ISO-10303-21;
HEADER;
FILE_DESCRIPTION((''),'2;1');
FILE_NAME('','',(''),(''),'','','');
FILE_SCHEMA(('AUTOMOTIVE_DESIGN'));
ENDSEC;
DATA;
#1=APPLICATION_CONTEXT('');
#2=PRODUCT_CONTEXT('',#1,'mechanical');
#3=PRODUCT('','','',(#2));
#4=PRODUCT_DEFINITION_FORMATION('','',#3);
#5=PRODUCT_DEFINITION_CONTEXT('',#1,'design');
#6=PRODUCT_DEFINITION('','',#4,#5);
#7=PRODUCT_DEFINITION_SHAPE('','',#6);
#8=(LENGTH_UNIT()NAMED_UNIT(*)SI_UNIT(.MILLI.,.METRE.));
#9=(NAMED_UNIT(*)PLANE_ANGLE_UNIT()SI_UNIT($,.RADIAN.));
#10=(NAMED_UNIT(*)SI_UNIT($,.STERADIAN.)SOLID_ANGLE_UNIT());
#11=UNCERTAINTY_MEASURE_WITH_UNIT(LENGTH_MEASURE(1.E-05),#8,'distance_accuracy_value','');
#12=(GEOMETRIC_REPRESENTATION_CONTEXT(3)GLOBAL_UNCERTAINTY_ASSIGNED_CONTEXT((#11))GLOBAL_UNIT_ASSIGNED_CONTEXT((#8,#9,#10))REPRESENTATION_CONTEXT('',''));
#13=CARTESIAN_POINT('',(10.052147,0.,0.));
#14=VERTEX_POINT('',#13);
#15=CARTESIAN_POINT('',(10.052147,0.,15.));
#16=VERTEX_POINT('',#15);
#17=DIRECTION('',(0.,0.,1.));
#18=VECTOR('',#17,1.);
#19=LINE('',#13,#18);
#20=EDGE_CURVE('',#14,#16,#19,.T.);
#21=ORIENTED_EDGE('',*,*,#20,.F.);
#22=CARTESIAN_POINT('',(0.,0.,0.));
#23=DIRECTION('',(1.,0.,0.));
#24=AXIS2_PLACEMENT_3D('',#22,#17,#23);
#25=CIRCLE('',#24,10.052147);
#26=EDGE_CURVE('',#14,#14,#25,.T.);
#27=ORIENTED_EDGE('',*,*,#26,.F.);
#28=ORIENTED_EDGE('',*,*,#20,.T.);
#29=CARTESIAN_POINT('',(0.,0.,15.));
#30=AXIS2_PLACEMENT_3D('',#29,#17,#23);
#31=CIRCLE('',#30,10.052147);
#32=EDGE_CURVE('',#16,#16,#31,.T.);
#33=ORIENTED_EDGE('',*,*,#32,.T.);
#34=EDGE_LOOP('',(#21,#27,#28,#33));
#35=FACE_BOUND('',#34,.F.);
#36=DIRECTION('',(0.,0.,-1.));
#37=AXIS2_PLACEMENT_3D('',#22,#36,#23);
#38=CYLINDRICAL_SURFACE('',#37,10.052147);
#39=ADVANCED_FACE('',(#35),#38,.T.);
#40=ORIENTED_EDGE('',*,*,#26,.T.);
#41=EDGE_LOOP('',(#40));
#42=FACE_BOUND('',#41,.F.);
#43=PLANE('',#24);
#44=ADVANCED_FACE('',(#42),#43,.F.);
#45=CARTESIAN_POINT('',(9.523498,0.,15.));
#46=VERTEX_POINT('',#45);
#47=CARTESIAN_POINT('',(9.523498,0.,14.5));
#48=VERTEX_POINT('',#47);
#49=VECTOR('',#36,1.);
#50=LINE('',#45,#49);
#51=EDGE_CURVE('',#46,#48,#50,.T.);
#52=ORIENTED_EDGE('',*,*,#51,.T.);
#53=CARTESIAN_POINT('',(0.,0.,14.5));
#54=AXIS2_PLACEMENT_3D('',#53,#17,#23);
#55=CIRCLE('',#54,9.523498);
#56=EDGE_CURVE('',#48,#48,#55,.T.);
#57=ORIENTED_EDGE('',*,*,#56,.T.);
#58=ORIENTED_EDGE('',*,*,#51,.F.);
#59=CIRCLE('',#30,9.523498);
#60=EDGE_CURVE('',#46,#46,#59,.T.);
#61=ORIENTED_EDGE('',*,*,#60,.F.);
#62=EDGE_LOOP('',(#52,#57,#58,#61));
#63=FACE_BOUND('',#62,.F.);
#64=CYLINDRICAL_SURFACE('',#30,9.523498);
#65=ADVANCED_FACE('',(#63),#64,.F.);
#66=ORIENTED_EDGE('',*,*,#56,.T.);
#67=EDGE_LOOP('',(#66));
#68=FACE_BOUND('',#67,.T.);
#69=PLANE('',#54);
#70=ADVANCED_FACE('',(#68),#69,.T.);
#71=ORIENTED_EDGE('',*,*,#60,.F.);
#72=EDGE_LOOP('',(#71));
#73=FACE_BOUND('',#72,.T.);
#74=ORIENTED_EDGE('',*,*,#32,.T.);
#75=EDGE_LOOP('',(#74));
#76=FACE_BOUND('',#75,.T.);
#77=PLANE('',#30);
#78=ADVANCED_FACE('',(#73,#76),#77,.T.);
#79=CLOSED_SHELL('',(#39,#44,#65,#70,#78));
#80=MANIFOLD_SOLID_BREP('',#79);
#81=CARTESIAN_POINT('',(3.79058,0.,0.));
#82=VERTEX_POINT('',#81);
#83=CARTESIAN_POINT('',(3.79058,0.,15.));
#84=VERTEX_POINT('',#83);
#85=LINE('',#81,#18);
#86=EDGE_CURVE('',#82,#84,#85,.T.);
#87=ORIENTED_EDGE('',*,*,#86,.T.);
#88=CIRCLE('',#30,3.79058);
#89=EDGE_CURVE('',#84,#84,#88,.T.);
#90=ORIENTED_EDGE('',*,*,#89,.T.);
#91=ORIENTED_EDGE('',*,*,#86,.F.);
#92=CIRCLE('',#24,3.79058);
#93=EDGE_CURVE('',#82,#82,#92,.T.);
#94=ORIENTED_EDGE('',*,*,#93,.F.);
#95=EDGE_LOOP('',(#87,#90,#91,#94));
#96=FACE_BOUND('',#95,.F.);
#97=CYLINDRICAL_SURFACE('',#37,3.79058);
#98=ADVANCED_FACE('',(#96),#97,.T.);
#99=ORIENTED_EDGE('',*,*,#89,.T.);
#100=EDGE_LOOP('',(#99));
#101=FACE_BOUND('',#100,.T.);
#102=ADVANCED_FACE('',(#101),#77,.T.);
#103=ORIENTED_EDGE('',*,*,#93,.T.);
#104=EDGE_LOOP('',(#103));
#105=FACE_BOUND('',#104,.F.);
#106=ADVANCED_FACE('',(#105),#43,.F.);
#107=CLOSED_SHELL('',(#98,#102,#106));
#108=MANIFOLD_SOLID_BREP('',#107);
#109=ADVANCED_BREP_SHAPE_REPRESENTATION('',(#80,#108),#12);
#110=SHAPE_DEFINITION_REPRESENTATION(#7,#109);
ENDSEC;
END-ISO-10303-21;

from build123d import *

# Parameters (mm, degrees)
SKETCH_R     = 10.052147
PAD_DEPTH    = 15
SKETCH002_R  = 9.523498
POCKET_DEPTH = 0.5
SKETCH001_R  = 3.79058
PAD001_DEPTH = 15


with BuildPart() as cilindro_externo:
    # Sketch → Pad (new body)
    with BuildSketch(Plane.XY):
        Circle(SKETCH_R)
    extrude(amount=PAD_DEPTH)

    # Sketch002 (on Face3 of Pad) → Pocket (cut)
    with BuildSketch(Plane.XY.offset(15)):
        Circle(SKETCH002_R)
    extrude(amount=-POCKET_DEPTH, mode=Mode.SUBTRACT)


with BuildPart() as cilindro_interno:
    # Sketch001 → Pad001 (new body)
    with BuildSketch(Plane.XY):
        Circle(SKETCH001_R)
    extrude(amount=PAD001_DEPTH)


solid = Compound([cilindro_externo.part, cilindro_interno.part])
